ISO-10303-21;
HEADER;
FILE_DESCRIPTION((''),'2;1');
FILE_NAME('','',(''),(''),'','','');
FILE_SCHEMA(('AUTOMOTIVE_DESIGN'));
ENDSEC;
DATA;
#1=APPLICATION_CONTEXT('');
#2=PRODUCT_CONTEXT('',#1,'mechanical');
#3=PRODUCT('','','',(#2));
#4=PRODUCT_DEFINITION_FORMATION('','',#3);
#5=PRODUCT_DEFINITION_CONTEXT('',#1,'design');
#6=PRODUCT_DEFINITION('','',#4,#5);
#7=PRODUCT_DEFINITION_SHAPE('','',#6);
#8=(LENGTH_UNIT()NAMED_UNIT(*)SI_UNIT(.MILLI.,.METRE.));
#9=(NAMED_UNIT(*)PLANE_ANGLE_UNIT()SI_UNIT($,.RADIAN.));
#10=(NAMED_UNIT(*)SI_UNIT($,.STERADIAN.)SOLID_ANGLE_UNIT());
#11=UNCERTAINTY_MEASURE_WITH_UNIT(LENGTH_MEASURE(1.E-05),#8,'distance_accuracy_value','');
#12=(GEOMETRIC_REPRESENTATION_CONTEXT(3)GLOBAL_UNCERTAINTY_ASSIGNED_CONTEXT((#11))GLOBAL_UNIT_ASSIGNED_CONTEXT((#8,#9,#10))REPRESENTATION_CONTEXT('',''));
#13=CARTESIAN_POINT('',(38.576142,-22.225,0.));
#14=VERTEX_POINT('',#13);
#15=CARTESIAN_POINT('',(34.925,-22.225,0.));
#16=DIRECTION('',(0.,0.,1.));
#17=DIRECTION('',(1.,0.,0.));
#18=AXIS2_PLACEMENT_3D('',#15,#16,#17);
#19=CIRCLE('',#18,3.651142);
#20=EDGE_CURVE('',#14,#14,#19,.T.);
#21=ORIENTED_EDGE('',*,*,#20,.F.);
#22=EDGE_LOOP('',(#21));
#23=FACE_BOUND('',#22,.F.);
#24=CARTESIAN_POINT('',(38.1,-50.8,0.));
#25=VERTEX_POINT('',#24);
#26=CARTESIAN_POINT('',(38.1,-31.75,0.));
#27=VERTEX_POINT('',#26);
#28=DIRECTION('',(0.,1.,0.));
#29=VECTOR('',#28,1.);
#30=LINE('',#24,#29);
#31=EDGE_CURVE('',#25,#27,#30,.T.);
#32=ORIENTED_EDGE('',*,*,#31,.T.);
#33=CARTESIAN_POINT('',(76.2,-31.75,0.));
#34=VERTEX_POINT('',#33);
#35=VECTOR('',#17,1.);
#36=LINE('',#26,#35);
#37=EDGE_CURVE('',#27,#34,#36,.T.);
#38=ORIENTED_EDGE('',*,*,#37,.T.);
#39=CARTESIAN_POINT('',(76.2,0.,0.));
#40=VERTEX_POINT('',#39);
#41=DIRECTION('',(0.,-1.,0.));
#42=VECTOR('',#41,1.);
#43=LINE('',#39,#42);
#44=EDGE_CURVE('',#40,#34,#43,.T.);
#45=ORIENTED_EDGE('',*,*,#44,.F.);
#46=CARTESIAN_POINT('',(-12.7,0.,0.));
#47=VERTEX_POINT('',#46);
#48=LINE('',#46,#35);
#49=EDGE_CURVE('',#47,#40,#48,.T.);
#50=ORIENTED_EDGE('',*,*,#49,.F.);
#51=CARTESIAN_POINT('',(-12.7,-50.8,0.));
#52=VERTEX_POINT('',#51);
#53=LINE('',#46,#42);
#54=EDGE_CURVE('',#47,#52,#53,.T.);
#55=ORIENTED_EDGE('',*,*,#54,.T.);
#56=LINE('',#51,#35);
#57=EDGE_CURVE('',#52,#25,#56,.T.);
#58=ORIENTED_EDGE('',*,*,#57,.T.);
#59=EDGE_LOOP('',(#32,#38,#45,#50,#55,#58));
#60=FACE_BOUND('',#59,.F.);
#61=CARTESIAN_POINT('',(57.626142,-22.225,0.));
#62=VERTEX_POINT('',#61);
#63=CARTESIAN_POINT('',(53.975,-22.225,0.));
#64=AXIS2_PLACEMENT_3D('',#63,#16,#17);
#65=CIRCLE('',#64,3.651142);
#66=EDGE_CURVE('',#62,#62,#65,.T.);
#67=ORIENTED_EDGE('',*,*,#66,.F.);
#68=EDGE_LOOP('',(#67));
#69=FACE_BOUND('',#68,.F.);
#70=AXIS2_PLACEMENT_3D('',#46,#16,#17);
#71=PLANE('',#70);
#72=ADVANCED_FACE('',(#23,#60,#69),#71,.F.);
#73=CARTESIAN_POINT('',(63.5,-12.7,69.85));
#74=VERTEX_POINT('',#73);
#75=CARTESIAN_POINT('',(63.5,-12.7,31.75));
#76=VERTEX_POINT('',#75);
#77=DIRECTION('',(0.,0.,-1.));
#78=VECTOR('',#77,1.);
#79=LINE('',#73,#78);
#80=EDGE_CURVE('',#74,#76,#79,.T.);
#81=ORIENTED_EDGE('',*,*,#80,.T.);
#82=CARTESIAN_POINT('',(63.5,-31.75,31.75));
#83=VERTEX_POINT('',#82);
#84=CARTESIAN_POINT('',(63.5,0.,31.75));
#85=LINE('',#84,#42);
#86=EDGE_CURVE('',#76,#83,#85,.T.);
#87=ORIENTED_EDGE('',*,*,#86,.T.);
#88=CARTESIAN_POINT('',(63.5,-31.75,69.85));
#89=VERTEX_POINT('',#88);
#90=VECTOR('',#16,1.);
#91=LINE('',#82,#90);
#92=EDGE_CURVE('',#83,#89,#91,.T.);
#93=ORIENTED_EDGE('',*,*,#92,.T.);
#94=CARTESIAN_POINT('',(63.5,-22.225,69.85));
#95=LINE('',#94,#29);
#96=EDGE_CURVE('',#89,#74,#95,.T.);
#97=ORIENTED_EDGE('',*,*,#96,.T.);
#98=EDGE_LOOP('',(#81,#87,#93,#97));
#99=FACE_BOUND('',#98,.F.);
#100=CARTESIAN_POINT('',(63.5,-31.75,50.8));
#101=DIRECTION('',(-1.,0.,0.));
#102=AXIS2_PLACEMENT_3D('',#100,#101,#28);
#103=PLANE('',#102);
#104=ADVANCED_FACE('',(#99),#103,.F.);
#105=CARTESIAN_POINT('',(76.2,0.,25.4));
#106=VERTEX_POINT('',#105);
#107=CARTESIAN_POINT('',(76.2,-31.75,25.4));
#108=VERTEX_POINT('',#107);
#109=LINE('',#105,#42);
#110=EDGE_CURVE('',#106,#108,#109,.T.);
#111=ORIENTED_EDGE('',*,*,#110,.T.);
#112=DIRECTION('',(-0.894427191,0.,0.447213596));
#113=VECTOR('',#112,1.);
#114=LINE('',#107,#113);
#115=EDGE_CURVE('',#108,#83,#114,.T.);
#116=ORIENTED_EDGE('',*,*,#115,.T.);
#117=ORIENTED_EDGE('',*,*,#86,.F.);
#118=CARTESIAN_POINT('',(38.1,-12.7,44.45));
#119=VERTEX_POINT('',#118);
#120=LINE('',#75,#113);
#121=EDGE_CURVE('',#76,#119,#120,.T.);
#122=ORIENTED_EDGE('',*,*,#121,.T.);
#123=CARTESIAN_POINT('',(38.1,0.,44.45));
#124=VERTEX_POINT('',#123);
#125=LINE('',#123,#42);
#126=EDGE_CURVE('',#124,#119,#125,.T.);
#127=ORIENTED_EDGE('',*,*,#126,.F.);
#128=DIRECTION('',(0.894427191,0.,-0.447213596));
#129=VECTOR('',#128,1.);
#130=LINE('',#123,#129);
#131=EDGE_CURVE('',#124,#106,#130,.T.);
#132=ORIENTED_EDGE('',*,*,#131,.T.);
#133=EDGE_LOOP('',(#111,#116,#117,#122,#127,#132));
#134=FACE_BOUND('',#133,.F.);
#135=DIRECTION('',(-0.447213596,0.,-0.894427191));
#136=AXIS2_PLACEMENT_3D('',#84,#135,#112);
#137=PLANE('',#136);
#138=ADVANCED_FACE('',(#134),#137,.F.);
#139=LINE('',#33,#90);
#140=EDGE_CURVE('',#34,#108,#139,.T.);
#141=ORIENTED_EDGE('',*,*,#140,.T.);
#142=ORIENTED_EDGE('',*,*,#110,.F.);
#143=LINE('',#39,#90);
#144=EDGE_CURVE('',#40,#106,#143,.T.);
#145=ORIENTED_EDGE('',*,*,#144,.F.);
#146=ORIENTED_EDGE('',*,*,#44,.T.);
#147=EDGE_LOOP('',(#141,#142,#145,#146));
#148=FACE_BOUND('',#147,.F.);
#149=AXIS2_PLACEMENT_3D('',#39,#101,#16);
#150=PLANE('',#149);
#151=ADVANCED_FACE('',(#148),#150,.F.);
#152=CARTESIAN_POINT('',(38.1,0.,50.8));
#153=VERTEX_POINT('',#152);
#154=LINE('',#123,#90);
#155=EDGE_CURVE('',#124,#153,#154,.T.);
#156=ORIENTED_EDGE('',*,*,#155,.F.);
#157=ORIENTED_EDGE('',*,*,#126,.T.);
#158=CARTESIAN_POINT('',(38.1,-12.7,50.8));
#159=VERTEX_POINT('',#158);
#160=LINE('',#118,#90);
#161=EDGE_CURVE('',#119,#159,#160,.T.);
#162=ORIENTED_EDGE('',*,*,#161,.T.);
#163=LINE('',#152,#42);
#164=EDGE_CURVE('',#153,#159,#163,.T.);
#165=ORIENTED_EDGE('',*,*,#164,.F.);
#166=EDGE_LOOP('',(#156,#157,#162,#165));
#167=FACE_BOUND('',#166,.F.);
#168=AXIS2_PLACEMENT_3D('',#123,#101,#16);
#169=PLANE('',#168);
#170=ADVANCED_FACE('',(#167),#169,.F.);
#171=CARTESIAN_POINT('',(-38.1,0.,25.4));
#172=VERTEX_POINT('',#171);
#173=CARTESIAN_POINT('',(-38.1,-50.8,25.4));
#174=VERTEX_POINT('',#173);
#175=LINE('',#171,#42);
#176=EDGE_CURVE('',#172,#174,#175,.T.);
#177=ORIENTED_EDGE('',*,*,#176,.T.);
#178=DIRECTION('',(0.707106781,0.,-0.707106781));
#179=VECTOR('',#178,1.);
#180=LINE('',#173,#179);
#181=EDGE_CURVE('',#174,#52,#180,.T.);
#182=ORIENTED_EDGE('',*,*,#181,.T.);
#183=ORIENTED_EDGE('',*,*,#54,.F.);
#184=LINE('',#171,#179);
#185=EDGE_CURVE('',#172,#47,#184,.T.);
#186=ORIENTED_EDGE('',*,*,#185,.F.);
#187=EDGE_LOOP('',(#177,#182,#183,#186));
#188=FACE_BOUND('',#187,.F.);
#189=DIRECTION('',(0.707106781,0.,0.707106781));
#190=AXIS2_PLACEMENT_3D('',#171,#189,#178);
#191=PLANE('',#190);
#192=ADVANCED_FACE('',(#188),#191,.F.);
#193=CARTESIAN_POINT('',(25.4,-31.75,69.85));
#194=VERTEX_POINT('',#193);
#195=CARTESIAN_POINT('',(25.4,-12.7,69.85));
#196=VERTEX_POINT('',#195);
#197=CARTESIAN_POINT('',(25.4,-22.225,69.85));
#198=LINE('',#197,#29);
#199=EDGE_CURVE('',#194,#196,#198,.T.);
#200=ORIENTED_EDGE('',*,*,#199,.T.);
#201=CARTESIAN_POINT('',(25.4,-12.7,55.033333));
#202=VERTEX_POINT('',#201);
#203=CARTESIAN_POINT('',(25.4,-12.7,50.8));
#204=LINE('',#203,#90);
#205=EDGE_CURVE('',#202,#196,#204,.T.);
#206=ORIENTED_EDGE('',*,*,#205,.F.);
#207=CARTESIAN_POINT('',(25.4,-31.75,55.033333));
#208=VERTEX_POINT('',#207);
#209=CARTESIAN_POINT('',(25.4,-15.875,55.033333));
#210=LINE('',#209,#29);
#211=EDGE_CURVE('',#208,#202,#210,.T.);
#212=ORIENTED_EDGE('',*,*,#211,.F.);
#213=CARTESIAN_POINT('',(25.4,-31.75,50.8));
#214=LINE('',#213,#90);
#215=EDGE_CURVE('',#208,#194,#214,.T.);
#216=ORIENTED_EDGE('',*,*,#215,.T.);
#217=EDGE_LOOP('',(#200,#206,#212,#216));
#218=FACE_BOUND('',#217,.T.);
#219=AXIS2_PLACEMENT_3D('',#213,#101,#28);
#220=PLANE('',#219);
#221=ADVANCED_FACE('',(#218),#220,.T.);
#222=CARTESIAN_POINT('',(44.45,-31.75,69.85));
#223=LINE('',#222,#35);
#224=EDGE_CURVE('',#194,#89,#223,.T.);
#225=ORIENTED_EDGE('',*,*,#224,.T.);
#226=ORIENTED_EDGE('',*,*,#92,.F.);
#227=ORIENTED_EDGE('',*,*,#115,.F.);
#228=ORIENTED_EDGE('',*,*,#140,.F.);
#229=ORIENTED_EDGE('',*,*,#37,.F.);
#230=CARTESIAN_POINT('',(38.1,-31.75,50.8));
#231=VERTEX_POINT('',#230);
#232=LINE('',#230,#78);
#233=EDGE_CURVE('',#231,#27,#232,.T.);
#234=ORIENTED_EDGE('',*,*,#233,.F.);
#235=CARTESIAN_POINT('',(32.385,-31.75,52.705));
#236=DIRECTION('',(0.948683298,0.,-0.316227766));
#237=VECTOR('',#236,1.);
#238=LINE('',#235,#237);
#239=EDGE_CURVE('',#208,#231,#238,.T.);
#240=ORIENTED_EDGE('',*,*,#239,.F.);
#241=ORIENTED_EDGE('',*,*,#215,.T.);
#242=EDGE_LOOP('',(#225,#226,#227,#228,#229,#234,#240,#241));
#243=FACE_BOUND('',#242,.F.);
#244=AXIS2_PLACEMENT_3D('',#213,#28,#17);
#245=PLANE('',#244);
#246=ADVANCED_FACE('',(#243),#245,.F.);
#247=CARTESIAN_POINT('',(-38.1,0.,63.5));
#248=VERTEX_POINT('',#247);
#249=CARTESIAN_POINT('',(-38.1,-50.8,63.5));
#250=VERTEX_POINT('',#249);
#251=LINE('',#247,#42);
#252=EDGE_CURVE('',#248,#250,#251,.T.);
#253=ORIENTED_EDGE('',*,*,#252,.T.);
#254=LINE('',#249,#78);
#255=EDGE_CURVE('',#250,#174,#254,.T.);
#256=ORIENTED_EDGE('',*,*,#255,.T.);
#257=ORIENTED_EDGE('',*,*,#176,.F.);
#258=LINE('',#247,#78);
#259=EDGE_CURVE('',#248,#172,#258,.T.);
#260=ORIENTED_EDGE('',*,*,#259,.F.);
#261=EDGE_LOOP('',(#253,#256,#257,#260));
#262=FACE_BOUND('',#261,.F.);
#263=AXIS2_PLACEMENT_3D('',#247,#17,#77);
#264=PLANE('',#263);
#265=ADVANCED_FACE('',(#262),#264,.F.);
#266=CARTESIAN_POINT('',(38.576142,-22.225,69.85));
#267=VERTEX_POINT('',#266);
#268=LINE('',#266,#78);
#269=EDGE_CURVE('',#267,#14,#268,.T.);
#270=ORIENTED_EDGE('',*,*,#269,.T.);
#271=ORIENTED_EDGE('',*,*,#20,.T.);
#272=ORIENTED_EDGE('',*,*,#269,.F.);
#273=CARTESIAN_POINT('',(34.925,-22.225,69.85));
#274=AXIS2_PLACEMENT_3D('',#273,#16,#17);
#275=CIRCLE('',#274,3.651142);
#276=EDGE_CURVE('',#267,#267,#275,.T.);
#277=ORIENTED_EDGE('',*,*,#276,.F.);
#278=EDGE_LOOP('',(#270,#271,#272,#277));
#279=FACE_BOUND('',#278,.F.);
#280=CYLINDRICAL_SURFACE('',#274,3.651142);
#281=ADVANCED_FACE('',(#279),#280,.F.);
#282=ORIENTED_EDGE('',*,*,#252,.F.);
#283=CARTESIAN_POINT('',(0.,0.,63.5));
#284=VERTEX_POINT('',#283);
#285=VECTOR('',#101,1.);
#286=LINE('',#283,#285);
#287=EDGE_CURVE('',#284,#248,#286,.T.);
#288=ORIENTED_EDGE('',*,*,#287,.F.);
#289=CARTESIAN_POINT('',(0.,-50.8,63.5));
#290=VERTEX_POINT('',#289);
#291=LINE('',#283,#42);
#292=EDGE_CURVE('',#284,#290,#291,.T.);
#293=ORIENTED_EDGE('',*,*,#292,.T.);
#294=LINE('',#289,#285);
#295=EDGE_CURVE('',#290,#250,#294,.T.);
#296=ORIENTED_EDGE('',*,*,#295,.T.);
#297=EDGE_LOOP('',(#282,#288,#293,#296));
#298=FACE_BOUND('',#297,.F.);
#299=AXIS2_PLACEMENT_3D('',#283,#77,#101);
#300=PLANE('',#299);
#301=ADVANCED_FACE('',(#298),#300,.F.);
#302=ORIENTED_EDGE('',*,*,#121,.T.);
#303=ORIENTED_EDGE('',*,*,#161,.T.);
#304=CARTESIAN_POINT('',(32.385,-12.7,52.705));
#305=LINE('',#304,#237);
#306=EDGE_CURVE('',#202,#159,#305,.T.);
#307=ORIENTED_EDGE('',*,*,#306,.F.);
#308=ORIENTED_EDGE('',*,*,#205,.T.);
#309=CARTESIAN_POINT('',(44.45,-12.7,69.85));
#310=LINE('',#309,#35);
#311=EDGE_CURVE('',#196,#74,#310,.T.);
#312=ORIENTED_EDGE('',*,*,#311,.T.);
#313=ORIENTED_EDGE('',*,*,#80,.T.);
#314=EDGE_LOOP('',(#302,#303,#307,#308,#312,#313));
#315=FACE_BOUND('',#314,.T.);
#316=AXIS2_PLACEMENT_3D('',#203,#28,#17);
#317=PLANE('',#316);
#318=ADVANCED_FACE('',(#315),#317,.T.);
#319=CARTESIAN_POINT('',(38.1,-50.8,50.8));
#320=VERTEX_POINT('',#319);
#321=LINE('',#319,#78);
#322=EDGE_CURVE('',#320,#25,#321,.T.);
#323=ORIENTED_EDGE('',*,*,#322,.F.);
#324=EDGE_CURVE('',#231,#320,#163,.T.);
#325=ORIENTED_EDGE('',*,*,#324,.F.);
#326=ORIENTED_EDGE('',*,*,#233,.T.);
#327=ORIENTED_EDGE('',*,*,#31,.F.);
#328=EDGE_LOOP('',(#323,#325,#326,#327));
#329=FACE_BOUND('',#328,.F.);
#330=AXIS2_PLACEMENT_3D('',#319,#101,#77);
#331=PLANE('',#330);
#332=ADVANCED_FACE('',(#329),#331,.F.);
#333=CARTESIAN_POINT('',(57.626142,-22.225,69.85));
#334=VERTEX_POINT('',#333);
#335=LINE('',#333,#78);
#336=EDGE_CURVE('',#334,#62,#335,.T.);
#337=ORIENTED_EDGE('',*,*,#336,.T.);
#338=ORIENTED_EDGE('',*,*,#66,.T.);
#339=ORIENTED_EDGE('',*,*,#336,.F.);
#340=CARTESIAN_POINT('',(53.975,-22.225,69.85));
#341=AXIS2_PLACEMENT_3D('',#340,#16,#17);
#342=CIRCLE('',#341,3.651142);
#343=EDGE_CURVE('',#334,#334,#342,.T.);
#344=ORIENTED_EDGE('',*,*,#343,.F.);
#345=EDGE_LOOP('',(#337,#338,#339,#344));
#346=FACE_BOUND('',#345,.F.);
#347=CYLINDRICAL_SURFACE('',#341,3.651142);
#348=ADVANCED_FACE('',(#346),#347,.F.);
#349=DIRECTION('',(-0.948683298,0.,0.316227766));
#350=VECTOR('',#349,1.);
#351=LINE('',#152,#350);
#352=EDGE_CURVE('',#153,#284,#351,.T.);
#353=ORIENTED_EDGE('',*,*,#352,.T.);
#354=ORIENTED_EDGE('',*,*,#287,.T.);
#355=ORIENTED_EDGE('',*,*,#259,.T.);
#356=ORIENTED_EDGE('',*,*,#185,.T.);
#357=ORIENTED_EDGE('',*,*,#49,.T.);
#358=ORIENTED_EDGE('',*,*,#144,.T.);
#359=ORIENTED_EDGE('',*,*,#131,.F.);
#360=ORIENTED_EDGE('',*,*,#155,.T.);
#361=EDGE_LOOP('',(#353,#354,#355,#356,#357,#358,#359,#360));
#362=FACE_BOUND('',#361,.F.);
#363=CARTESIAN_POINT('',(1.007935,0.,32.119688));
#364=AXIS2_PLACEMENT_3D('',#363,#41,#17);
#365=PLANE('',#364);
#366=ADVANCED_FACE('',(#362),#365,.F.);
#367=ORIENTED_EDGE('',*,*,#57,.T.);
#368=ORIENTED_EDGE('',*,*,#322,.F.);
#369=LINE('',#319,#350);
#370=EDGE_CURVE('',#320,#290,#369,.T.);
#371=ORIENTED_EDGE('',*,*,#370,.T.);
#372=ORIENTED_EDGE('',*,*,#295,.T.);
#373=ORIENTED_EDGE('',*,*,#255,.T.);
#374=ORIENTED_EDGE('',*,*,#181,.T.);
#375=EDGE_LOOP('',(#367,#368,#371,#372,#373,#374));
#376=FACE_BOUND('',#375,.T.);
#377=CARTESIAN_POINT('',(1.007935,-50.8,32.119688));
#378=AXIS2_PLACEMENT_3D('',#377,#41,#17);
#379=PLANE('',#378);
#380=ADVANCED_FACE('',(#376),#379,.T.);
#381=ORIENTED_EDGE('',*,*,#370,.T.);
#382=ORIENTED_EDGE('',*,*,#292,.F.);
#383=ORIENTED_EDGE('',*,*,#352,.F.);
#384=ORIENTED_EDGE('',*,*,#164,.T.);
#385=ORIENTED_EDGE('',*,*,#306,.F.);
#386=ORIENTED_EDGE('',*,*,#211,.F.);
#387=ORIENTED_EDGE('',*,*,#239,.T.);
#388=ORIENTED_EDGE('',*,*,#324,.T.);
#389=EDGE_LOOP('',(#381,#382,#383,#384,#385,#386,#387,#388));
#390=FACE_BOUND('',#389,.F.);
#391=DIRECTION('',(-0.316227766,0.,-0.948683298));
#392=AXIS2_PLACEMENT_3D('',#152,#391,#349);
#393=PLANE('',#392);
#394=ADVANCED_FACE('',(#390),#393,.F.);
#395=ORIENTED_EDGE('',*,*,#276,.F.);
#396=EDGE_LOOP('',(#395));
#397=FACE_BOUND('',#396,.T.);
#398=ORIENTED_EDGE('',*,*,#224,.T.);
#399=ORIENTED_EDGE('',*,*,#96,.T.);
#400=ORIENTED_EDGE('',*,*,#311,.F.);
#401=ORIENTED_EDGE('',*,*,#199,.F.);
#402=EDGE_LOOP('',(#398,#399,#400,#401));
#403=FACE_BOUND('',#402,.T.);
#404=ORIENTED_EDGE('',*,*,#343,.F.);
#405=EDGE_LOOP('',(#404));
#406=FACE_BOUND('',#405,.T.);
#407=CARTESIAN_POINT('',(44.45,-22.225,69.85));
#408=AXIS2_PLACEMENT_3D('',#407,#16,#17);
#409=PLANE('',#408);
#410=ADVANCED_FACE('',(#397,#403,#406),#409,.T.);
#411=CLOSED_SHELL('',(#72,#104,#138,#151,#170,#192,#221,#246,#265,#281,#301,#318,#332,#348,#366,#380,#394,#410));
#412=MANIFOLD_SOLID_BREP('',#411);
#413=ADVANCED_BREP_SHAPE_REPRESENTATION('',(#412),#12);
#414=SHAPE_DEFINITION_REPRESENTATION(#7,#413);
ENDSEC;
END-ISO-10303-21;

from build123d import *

# Parameters (mm, degrees)
F1_DEPTH = 50.8
F3_DEPTH = 19.05
F5_DEPTH = 12.7
F6_W     = 38.1
F6_H     = 19.05
F7_DEPTH = 19.05
F8_R     = 3.651142
F9_DEPTH = 69.851


with BuildPart() as f1:
    # F0 (on Front) → F1 (new body)
    with BuildSketch(Plane.XZ):
        Polygon((-12.7, 0), (38.1, 0), (38.1, 50.8), (0, 63.5), (-38.1, 63.5), (-38.1, 25.4), align=None)
        Polygon((38.1, 50.8), (38.1, 0), (76.2, 0), (76.2, 25.4), (63.5, 31.75), (63.5, 50.8), align=None)
    extrude(amount=F1_DEPTH)

    # F2 (on face) → F3 (cut)
    with BuildSketch(Plane.XZ.offset(50.8)):
        Polygon((63.5, 50.8), (38.1, 50.8), (38.1, 0), (76.2, 0), (76.2, 25.4), (63.5, 31.75), align=None)
    extrude(amount=-F3_DEPTH, mode=Mode.SUBTRACT)

    # F4 (on face) → F5 (cut)
    with BuildSketch(Plane(origin=(0, 0, 0), x_dir=(-1, 0, 0), z_dir=(0, 1, 0))):
        Polygon((-63.5, 50.8), (-63.5, 31.75), (-38.1, 44.45), (-38.1, 50.8), align=None)
    extrude(amount=-F5_DEPTH, mode=Mode.SUBTRACT)

    # F6 (on face) → F7 (join)
    with BuildSketch(Plane.XY.offset(50.8)):
        with Locations((44.45, -22.225)):
            Rectangle(F6_W, F6_H)
    extrude(amount=F7_DEPTH)

    # F8 (on face) → F9 (cut, through all)
    with BuildSketch(Plane.XY.offset(69.85)):
        with Locations((34.925, -22.225)):
            Circle(F8_R)
        with Locations((53.975, -22.225)):
            Circle(F8_R)
    extrude(amount=-F9_DEPTH, mode=Mode.SUBTRACT)


solid = f1.part
